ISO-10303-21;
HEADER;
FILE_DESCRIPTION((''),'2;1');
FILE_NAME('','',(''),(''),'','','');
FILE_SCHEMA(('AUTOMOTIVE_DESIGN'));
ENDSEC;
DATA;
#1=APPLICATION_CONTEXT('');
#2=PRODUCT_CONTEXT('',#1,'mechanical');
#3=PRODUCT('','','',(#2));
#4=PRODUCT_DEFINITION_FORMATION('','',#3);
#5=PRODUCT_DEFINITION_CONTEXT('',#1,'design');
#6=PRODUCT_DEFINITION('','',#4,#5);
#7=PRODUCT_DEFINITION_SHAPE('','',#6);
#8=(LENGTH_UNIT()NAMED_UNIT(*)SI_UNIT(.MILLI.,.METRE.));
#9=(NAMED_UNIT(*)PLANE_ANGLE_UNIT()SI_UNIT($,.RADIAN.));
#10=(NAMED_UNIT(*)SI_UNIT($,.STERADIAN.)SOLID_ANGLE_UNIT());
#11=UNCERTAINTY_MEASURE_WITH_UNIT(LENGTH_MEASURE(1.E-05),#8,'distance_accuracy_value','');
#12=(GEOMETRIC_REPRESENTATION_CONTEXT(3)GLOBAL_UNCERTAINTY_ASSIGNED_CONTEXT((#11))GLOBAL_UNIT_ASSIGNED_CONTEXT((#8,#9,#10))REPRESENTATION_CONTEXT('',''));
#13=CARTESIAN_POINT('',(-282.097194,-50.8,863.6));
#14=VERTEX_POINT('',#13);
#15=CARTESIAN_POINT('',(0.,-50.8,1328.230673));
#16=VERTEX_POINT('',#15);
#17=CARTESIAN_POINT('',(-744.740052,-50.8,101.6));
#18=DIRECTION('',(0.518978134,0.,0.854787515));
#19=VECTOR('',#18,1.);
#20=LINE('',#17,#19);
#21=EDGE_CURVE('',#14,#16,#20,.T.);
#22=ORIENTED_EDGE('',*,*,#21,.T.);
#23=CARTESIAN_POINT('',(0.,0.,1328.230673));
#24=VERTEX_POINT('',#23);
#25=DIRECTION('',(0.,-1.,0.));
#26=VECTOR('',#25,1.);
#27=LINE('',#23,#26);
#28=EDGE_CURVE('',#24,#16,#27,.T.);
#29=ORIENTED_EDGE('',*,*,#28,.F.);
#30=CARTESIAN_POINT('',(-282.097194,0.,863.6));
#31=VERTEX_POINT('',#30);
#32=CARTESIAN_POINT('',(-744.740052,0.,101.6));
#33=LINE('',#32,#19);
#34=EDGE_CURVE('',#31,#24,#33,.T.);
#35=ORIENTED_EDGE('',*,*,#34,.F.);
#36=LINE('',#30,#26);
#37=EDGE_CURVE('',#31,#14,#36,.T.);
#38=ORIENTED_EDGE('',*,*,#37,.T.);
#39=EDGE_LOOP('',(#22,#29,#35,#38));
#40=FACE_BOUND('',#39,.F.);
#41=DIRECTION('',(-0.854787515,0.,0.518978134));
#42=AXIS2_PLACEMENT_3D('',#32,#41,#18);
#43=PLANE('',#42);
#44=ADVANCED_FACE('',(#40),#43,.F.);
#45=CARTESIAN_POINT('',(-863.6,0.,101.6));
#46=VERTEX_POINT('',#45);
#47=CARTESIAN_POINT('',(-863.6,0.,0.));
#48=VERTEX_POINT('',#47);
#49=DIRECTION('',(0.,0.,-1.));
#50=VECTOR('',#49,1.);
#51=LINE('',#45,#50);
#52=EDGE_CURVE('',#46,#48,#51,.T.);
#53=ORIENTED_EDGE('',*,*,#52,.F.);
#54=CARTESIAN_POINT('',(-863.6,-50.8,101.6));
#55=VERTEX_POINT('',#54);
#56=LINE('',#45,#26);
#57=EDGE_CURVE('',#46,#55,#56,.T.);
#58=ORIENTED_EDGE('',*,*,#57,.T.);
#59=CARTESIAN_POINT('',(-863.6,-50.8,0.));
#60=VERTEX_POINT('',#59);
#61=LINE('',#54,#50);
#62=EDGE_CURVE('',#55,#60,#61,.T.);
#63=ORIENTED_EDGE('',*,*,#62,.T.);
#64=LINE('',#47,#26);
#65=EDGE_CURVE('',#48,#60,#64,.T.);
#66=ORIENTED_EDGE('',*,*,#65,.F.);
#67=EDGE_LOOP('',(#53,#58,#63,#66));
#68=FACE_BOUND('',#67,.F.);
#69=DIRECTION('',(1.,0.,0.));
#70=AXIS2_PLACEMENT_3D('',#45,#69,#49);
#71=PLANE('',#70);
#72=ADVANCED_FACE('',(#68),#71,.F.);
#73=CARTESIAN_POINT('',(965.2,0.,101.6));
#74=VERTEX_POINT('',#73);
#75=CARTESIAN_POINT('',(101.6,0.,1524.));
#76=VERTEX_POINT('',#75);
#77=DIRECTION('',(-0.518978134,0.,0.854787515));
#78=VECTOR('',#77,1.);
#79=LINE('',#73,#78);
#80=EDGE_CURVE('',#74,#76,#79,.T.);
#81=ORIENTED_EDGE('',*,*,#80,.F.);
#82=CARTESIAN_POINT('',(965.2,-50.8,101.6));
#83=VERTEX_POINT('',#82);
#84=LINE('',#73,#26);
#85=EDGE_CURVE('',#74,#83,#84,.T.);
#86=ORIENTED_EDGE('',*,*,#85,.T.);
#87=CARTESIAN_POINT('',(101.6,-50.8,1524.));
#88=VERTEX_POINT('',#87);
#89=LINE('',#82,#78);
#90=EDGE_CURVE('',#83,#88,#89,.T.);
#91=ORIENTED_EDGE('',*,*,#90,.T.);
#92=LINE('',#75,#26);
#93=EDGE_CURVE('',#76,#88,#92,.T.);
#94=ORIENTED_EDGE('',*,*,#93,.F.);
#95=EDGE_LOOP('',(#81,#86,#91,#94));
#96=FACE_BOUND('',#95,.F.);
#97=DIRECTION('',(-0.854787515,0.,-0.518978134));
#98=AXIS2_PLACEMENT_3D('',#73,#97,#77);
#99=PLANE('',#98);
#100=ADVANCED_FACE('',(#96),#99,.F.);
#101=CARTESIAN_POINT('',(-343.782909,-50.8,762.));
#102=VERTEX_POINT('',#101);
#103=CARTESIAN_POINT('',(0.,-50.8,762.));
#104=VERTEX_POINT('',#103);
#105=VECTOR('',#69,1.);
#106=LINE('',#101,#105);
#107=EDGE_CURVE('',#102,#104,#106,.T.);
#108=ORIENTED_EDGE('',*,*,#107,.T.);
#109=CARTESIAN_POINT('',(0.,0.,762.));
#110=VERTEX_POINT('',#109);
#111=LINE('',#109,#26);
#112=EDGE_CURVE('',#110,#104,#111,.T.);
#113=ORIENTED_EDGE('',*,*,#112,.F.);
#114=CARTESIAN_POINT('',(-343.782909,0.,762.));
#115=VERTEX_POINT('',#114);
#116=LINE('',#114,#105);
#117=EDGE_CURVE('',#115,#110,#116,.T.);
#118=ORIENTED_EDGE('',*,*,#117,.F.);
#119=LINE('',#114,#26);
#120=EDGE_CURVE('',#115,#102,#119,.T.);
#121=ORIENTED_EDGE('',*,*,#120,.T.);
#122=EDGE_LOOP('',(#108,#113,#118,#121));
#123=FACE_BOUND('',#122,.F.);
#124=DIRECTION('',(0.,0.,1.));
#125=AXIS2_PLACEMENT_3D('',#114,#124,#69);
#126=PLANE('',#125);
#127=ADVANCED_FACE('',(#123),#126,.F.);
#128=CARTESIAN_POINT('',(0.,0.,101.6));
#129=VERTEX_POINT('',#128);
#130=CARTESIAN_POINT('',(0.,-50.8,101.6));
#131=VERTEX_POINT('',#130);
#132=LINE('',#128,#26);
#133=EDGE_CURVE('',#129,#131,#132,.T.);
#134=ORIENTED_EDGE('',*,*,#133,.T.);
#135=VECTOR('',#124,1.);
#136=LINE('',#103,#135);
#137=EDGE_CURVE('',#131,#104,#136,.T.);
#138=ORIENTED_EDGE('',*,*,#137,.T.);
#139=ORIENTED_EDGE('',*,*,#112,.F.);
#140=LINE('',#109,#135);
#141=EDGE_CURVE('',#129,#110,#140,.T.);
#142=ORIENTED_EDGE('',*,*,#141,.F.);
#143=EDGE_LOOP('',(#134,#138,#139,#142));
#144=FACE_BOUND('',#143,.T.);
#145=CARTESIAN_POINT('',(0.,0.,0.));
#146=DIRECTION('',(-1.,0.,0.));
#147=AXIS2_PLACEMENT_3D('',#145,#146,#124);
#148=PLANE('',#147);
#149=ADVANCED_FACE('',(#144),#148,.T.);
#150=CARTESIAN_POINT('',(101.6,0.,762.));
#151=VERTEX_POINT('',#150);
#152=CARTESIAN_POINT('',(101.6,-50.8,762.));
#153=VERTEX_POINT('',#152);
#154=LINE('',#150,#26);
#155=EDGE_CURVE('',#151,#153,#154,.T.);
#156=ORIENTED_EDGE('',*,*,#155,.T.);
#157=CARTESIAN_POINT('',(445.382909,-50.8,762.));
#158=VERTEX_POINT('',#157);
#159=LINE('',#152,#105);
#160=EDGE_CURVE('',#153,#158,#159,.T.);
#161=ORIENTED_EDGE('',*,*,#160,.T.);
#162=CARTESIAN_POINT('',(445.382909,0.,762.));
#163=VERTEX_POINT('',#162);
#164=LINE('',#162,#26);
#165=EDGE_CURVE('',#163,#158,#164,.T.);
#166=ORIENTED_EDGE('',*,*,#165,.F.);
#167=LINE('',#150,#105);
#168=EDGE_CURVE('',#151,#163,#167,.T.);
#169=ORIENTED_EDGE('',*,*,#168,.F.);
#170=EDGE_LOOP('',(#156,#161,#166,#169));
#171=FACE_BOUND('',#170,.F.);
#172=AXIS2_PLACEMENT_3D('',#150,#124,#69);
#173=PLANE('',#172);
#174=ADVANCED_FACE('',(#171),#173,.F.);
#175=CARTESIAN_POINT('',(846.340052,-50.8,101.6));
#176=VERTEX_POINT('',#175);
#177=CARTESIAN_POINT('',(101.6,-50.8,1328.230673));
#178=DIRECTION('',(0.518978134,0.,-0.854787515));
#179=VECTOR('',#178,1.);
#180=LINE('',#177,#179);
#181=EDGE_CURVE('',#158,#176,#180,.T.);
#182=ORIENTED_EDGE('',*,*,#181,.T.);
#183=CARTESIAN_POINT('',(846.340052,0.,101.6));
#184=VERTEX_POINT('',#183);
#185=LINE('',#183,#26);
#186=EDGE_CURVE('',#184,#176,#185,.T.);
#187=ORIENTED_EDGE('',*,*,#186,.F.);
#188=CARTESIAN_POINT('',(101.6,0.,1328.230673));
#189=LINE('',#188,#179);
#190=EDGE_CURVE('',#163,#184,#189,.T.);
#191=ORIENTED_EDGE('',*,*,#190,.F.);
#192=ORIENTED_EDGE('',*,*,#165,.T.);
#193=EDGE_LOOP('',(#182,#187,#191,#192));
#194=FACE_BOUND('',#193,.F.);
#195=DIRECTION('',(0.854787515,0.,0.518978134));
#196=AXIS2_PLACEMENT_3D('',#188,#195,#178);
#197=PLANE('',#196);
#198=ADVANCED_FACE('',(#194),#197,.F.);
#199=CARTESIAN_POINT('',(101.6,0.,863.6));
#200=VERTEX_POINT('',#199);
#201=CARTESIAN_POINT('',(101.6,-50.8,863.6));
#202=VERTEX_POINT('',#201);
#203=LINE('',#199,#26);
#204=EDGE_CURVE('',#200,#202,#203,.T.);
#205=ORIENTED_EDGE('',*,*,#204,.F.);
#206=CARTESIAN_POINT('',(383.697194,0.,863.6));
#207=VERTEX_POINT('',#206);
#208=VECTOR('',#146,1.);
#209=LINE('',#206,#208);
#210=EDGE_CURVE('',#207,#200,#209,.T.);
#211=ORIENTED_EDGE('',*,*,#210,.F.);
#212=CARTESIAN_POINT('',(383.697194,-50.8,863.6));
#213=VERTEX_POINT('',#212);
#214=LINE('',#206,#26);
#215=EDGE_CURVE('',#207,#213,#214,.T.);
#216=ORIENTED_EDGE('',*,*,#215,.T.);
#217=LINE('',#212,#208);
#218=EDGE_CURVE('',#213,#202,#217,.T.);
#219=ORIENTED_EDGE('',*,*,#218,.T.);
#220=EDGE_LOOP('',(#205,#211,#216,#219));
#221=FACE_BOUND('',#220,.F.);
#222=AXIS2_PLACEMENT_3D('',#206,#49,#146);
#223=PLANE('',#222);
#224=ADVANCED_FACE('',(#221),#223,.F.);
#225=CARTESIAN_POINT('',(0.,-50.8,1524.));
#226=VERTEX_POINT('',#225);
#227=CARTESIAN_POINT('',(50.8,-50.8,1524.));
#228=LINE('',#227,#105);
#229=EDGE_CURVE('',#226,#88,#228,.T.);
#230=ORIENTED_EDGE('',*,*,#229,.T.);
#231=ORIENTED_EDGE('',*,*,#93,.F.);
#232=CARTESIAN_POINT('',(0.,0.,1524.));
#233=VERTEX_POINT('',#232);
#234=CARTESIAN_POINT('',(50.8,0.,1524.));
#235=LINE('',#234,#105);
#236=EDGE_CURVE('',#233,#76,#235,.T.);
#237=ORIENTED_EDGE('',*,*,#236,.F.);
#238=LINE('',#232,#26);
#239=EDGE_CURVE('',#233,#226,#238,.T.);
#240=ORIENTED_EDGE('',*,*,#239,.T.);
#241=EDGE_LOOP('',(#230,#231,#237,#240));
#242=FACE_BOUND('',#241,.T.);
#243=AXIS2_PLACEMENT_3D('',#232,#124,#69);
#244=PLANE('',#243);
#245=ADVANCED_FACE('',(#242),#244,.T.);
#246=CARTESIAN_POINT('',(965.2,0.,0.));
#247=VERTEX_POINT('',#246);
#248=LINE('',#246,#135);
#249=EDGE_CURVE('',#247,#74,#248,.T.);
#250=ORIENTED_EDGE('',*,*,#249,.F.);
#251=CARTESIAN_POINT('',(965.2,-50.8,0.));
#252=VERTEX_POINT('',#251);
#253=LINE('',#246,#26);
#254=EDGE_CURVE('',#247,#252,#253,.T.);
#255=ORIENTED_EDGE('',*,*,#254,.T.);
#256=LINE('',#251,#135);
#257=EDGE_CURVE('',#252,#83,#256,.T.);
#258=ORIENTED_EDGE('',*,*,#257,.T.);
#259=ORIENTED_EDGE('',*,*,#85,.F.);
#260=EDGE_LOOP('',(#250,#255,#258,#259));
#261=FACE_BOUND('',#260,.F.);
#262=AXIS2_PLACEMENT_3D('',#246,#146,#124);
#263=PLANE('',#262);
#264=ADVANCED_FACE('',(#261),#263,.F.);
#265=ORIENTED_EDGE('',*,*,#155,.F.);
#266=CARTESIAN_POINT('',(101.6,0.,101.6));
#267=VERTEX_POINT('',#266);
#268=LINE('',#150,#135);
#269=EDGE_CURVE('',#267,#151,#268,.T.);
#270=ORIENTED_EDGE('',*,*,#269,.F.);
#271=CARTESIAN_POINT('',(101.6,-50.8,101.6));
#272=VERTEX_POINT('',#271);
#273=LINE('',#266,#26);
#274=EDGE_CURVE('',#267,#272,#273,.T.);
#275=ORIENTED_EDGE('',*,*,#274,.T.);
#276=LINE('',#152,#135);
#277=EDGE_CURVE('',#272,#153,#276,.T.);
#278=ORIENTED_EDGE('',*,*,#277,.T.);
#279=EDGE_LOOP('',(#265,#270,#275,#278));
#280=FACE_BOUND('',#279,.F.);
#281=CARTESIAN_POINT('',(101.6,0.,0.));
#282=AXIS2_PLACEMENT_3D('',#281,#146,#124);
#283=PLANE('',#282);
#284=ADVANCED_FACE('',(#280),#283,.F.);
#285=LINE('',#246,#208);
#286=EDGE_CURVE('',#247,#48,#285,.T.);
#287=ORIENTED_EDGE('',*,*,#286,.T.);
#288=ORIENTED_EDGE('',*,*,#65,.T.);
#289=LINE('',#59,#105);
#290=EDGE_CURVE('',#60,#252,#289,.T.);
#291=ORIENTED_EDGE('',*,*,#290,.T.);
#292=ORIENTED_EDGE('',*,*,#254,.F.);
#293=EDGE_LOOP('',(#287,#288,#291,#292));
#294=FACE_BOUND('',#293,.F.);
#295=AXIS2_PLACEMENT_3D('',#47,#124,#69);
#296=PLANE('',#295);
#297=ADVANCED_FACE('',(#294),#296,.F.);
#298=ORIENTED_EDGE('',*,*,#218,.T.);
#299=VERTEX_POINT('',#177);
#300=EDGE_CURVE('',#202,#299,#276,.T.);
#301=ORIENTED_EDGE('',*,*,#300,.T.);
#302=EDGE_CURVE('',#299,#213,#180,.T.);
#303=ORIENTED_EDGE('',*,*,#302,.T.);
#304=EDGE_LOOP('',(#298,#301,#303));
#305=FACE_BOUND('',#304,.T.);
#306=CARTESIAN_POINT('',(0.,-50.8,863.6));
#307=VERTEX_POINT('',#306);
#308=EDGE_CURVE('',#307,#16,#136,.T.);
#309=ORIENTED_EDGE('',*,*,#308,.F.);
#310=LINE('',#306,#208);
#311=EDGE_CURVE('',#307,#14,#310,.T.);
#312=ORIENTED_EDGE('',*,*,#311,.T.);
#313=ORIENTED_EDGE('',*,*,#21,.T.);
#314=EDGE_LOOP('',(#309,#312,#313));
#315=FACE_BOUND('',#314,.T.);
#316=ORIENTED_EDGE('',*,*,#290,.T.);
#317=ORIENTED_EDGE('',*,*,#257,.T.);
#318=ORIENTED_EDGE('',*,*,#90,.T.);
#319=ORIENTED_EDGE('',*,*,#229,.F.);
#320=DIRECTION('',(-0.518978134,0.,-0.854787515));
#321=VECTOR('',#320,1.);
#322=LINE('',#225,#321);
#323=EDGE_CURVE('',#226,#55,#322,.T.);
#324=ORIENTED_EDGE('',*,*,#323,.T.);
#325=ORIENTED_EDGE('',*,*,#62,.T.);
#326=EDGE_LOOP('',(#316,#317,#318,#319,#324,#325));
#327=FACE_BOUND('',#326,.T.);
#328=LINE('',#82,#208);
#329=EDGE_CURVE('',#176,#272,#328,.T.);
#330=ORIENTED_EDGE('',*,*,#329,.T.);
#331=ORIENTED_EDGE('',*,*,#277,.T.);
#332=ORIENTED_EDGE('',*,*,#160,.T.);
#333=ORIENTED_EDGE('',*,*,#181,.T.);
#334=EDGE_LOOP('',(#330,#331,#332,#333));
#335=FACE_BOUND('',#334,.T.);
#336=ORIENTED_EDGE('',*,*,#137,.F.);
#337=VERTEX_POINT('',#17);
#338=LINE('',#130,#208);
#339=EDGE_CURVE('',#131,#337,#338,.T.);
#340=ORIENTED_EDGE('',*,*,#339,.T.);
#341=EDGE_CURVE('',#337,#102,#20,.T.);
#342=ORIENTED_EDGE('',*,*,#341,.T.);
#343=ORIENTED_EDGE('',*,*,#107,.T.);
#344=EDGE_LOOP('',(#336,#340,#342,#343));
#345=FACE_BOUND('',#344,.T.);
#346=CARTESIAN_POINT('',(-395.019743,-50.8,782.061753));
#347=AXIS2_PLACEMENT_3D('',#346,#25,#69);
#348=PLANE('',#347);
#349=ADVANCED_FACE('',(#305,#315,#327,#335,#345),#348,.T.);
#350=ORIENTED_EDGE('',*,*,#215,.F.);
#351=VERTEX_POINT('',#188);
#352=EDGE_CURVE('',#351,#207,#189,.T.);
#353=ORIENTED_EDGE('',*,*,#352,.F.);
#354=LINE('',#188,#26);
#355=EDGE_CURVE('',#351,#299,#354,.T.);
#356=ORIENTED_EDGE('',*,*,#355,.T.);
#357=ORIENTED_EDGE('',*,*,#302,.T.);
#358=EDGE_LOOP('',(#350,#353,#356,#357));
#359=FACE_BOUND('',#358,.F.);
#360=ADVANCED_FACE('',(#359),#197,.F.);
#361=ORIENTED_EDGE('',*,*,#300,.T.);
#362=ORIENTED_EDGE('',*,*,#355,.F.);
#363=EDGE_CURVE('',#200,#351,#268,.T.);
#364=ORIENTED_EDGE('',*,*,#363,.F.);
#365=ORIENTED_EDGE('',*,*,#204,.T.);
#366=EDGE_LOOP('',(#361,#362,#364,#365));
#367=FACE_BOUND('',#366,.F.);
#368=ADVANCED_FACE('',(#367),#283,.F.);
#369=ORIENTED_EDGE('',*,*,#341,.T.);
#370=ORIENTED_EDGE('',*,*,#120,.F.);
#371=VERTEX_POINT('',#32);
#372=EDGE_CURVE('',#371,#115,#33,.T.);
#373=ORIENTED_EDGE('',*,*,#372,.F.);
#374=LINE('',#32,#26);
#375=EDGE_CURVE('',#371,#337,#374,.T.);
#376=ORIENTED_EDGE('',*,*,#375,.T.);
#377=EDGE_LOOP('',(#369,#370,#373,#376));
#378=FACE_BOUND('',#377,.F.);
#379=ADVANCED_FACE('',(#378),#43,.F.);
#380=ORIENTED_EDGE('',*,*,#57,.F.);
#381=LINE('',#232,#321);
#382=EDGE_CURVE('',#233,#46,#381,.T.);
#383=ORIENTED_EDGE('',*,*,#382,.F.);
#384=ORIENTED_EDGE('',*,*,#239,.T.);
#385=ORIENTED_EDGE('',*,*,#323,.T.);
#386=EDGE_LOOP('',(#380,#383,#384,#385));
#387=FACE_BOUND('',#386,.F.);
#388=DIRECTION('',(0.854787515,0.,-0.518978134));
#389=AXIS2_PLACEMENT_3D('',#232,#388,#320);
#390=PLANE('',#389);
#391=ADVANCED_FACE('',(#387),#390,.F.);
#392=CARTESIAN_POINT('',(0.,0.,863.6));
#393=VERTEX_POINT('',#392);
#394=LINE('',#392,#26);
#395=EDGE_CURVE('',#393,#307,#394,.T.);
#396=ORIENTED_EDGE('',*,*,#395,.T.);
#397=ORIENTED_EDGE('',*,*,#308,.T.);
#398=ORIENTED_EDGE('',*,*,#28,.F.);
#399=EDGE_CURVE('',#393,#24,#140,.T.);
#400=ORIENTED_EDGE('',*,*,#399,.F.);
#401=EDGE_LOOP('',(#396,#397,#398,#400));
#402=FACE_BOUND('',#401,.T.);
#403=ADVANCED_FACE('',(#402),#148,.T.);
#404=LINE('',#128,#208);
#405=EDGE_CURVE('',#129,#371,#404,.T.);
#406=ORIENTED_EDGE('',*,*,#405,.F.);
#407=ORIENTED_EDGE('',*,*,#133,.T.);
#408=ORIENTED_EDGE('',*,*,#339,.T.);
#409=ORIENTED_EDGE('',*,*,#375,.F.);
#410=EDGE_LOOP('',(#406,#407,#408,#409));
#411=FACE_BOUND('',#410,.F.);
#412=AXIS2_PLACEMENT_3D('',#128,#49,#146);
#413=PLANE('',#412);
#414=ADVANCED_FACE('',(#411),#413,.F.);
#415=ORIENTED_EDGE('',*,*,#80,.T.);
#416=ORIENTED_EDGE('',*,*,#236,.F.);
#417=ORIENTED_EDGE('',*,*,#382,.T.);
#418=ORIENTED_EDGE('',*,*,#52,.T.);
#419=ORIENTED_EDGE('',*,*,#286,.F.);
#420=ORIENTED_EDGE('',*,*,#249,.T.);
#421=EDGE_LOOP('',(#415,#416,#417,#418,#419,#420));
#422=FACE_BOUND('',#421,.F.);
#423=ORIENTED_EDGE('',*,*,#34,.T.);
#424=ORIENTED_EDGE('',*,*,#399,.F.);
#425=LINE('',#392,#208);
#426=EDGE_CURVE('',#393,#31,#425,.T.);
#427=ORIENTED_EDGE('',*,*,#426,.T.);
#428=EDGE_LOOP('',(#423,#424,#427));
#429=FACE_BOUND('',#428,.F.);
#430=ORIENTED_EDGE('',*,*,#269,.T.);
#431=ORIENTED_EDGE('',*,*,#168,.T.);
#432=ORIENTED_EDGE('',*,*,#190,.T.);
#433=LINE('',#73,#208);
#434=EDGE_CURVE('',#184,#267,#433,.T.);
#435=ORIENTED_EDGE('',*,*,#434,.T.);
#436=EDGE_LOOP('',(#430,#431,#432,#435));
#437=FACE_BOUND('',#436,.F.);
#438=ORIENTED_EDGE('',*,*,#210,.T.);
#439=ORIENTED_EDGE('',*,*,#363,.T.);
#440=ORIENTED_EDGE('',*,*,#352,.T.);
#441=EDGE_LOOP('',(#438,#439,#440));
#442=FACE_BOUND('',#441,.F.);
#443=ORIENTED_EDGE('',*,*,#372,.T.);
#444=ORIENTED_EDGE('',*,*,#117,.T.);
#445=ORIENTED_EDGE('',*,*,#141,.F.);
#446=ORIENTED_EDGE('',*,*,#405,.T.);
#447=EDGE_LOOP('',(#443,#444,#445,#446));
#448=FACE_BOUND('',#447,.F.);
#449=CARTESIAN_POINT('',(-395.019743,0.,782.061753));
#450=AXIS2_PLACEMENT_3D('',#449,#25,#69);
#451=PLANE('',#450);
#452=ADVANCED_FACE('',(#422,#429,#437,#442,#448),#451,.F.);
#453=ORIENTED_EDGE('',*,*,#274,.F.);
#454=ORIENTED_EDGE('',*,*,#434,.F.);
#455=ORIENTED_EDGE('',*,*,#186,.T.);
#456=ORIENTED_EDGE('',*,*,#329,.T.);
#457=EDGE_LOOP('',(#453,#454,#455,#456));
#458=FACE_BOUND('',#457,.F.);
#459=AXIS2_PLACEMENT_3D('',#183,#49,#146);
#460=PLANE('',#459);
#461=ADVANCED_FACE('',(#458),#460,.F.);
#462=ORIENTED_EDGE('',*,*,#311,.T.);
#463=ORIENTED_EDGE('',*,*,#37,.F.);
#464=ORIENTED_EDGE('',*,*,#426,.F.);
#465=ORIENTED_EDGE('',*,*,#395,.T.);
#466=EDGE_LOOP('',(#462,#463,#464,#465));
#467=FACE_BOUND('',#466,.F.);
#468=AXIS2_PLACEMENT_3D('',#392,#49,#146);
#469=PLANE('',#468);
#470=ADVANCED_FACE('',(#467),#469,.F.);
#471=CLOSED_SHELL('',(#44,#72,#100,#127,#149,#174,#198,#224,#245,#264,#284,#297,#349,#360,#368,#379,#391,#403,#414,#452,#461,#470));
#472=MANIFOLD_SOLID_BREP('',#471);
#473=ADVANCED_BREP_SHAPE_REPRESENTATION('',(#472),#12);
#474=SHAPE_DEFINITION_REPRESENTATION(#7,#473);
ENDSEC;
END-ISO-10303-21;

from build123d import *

# Parameters (mm, degrees)
F0_W     = 101.6
F0_H     = 1524
F1_DEPTH = 50.8
F3_DEPTH = 50.8
F5_DEPTH = 50.8


with BuildPart() as f1:
    # F0 (on Front) → F1 (new body)
    with BuildSketch(Plane.XZ):
        with Locations((50.8, 762)):
            Rectangle(F0_W, F0_H)
    extrude(amount=F1_DEPTH)

    # F2 (on Front) → F3 (join)
    with BuildSketch(Plane.XZ):
        Polygon((0, 1524), (-863.6, 101.6), (-744.7400515441, 101.6), (0, 1328.2306731315), align=None)
        Polygon((-863.6, 0), (0, 0), (0, 101.6), (-744.7400515441, 101.6), (-863.6, 101.6), align=None)
        Polygon((101.6, 101.6), (101.6, 0), (965.2, 0), (965.2, 101.6), (846.3400515441, 101.6), align=None)
        Polygon((846.3400515441, 101.6), (965.2, 101.6), (101.6, 1524), (101.6, 1328.2306731315), align=None)
    extrude(amount=F3_DEPTH)

    # F4 (on Front) → F5 (join)
    with BuildSketch(Plane.XZ):
        Polygon((-343.782908687, 762), (0, 762), (0, 863.6), (-282.0971944012, 863.6), align=None)
        Polygon((383.6971944012, 863.6), (101.6, 863.6), (101.6, 762), (445.382908687, 762), align=None)
    extrude(amount=F5_DEPTH)


solid = f1.part
